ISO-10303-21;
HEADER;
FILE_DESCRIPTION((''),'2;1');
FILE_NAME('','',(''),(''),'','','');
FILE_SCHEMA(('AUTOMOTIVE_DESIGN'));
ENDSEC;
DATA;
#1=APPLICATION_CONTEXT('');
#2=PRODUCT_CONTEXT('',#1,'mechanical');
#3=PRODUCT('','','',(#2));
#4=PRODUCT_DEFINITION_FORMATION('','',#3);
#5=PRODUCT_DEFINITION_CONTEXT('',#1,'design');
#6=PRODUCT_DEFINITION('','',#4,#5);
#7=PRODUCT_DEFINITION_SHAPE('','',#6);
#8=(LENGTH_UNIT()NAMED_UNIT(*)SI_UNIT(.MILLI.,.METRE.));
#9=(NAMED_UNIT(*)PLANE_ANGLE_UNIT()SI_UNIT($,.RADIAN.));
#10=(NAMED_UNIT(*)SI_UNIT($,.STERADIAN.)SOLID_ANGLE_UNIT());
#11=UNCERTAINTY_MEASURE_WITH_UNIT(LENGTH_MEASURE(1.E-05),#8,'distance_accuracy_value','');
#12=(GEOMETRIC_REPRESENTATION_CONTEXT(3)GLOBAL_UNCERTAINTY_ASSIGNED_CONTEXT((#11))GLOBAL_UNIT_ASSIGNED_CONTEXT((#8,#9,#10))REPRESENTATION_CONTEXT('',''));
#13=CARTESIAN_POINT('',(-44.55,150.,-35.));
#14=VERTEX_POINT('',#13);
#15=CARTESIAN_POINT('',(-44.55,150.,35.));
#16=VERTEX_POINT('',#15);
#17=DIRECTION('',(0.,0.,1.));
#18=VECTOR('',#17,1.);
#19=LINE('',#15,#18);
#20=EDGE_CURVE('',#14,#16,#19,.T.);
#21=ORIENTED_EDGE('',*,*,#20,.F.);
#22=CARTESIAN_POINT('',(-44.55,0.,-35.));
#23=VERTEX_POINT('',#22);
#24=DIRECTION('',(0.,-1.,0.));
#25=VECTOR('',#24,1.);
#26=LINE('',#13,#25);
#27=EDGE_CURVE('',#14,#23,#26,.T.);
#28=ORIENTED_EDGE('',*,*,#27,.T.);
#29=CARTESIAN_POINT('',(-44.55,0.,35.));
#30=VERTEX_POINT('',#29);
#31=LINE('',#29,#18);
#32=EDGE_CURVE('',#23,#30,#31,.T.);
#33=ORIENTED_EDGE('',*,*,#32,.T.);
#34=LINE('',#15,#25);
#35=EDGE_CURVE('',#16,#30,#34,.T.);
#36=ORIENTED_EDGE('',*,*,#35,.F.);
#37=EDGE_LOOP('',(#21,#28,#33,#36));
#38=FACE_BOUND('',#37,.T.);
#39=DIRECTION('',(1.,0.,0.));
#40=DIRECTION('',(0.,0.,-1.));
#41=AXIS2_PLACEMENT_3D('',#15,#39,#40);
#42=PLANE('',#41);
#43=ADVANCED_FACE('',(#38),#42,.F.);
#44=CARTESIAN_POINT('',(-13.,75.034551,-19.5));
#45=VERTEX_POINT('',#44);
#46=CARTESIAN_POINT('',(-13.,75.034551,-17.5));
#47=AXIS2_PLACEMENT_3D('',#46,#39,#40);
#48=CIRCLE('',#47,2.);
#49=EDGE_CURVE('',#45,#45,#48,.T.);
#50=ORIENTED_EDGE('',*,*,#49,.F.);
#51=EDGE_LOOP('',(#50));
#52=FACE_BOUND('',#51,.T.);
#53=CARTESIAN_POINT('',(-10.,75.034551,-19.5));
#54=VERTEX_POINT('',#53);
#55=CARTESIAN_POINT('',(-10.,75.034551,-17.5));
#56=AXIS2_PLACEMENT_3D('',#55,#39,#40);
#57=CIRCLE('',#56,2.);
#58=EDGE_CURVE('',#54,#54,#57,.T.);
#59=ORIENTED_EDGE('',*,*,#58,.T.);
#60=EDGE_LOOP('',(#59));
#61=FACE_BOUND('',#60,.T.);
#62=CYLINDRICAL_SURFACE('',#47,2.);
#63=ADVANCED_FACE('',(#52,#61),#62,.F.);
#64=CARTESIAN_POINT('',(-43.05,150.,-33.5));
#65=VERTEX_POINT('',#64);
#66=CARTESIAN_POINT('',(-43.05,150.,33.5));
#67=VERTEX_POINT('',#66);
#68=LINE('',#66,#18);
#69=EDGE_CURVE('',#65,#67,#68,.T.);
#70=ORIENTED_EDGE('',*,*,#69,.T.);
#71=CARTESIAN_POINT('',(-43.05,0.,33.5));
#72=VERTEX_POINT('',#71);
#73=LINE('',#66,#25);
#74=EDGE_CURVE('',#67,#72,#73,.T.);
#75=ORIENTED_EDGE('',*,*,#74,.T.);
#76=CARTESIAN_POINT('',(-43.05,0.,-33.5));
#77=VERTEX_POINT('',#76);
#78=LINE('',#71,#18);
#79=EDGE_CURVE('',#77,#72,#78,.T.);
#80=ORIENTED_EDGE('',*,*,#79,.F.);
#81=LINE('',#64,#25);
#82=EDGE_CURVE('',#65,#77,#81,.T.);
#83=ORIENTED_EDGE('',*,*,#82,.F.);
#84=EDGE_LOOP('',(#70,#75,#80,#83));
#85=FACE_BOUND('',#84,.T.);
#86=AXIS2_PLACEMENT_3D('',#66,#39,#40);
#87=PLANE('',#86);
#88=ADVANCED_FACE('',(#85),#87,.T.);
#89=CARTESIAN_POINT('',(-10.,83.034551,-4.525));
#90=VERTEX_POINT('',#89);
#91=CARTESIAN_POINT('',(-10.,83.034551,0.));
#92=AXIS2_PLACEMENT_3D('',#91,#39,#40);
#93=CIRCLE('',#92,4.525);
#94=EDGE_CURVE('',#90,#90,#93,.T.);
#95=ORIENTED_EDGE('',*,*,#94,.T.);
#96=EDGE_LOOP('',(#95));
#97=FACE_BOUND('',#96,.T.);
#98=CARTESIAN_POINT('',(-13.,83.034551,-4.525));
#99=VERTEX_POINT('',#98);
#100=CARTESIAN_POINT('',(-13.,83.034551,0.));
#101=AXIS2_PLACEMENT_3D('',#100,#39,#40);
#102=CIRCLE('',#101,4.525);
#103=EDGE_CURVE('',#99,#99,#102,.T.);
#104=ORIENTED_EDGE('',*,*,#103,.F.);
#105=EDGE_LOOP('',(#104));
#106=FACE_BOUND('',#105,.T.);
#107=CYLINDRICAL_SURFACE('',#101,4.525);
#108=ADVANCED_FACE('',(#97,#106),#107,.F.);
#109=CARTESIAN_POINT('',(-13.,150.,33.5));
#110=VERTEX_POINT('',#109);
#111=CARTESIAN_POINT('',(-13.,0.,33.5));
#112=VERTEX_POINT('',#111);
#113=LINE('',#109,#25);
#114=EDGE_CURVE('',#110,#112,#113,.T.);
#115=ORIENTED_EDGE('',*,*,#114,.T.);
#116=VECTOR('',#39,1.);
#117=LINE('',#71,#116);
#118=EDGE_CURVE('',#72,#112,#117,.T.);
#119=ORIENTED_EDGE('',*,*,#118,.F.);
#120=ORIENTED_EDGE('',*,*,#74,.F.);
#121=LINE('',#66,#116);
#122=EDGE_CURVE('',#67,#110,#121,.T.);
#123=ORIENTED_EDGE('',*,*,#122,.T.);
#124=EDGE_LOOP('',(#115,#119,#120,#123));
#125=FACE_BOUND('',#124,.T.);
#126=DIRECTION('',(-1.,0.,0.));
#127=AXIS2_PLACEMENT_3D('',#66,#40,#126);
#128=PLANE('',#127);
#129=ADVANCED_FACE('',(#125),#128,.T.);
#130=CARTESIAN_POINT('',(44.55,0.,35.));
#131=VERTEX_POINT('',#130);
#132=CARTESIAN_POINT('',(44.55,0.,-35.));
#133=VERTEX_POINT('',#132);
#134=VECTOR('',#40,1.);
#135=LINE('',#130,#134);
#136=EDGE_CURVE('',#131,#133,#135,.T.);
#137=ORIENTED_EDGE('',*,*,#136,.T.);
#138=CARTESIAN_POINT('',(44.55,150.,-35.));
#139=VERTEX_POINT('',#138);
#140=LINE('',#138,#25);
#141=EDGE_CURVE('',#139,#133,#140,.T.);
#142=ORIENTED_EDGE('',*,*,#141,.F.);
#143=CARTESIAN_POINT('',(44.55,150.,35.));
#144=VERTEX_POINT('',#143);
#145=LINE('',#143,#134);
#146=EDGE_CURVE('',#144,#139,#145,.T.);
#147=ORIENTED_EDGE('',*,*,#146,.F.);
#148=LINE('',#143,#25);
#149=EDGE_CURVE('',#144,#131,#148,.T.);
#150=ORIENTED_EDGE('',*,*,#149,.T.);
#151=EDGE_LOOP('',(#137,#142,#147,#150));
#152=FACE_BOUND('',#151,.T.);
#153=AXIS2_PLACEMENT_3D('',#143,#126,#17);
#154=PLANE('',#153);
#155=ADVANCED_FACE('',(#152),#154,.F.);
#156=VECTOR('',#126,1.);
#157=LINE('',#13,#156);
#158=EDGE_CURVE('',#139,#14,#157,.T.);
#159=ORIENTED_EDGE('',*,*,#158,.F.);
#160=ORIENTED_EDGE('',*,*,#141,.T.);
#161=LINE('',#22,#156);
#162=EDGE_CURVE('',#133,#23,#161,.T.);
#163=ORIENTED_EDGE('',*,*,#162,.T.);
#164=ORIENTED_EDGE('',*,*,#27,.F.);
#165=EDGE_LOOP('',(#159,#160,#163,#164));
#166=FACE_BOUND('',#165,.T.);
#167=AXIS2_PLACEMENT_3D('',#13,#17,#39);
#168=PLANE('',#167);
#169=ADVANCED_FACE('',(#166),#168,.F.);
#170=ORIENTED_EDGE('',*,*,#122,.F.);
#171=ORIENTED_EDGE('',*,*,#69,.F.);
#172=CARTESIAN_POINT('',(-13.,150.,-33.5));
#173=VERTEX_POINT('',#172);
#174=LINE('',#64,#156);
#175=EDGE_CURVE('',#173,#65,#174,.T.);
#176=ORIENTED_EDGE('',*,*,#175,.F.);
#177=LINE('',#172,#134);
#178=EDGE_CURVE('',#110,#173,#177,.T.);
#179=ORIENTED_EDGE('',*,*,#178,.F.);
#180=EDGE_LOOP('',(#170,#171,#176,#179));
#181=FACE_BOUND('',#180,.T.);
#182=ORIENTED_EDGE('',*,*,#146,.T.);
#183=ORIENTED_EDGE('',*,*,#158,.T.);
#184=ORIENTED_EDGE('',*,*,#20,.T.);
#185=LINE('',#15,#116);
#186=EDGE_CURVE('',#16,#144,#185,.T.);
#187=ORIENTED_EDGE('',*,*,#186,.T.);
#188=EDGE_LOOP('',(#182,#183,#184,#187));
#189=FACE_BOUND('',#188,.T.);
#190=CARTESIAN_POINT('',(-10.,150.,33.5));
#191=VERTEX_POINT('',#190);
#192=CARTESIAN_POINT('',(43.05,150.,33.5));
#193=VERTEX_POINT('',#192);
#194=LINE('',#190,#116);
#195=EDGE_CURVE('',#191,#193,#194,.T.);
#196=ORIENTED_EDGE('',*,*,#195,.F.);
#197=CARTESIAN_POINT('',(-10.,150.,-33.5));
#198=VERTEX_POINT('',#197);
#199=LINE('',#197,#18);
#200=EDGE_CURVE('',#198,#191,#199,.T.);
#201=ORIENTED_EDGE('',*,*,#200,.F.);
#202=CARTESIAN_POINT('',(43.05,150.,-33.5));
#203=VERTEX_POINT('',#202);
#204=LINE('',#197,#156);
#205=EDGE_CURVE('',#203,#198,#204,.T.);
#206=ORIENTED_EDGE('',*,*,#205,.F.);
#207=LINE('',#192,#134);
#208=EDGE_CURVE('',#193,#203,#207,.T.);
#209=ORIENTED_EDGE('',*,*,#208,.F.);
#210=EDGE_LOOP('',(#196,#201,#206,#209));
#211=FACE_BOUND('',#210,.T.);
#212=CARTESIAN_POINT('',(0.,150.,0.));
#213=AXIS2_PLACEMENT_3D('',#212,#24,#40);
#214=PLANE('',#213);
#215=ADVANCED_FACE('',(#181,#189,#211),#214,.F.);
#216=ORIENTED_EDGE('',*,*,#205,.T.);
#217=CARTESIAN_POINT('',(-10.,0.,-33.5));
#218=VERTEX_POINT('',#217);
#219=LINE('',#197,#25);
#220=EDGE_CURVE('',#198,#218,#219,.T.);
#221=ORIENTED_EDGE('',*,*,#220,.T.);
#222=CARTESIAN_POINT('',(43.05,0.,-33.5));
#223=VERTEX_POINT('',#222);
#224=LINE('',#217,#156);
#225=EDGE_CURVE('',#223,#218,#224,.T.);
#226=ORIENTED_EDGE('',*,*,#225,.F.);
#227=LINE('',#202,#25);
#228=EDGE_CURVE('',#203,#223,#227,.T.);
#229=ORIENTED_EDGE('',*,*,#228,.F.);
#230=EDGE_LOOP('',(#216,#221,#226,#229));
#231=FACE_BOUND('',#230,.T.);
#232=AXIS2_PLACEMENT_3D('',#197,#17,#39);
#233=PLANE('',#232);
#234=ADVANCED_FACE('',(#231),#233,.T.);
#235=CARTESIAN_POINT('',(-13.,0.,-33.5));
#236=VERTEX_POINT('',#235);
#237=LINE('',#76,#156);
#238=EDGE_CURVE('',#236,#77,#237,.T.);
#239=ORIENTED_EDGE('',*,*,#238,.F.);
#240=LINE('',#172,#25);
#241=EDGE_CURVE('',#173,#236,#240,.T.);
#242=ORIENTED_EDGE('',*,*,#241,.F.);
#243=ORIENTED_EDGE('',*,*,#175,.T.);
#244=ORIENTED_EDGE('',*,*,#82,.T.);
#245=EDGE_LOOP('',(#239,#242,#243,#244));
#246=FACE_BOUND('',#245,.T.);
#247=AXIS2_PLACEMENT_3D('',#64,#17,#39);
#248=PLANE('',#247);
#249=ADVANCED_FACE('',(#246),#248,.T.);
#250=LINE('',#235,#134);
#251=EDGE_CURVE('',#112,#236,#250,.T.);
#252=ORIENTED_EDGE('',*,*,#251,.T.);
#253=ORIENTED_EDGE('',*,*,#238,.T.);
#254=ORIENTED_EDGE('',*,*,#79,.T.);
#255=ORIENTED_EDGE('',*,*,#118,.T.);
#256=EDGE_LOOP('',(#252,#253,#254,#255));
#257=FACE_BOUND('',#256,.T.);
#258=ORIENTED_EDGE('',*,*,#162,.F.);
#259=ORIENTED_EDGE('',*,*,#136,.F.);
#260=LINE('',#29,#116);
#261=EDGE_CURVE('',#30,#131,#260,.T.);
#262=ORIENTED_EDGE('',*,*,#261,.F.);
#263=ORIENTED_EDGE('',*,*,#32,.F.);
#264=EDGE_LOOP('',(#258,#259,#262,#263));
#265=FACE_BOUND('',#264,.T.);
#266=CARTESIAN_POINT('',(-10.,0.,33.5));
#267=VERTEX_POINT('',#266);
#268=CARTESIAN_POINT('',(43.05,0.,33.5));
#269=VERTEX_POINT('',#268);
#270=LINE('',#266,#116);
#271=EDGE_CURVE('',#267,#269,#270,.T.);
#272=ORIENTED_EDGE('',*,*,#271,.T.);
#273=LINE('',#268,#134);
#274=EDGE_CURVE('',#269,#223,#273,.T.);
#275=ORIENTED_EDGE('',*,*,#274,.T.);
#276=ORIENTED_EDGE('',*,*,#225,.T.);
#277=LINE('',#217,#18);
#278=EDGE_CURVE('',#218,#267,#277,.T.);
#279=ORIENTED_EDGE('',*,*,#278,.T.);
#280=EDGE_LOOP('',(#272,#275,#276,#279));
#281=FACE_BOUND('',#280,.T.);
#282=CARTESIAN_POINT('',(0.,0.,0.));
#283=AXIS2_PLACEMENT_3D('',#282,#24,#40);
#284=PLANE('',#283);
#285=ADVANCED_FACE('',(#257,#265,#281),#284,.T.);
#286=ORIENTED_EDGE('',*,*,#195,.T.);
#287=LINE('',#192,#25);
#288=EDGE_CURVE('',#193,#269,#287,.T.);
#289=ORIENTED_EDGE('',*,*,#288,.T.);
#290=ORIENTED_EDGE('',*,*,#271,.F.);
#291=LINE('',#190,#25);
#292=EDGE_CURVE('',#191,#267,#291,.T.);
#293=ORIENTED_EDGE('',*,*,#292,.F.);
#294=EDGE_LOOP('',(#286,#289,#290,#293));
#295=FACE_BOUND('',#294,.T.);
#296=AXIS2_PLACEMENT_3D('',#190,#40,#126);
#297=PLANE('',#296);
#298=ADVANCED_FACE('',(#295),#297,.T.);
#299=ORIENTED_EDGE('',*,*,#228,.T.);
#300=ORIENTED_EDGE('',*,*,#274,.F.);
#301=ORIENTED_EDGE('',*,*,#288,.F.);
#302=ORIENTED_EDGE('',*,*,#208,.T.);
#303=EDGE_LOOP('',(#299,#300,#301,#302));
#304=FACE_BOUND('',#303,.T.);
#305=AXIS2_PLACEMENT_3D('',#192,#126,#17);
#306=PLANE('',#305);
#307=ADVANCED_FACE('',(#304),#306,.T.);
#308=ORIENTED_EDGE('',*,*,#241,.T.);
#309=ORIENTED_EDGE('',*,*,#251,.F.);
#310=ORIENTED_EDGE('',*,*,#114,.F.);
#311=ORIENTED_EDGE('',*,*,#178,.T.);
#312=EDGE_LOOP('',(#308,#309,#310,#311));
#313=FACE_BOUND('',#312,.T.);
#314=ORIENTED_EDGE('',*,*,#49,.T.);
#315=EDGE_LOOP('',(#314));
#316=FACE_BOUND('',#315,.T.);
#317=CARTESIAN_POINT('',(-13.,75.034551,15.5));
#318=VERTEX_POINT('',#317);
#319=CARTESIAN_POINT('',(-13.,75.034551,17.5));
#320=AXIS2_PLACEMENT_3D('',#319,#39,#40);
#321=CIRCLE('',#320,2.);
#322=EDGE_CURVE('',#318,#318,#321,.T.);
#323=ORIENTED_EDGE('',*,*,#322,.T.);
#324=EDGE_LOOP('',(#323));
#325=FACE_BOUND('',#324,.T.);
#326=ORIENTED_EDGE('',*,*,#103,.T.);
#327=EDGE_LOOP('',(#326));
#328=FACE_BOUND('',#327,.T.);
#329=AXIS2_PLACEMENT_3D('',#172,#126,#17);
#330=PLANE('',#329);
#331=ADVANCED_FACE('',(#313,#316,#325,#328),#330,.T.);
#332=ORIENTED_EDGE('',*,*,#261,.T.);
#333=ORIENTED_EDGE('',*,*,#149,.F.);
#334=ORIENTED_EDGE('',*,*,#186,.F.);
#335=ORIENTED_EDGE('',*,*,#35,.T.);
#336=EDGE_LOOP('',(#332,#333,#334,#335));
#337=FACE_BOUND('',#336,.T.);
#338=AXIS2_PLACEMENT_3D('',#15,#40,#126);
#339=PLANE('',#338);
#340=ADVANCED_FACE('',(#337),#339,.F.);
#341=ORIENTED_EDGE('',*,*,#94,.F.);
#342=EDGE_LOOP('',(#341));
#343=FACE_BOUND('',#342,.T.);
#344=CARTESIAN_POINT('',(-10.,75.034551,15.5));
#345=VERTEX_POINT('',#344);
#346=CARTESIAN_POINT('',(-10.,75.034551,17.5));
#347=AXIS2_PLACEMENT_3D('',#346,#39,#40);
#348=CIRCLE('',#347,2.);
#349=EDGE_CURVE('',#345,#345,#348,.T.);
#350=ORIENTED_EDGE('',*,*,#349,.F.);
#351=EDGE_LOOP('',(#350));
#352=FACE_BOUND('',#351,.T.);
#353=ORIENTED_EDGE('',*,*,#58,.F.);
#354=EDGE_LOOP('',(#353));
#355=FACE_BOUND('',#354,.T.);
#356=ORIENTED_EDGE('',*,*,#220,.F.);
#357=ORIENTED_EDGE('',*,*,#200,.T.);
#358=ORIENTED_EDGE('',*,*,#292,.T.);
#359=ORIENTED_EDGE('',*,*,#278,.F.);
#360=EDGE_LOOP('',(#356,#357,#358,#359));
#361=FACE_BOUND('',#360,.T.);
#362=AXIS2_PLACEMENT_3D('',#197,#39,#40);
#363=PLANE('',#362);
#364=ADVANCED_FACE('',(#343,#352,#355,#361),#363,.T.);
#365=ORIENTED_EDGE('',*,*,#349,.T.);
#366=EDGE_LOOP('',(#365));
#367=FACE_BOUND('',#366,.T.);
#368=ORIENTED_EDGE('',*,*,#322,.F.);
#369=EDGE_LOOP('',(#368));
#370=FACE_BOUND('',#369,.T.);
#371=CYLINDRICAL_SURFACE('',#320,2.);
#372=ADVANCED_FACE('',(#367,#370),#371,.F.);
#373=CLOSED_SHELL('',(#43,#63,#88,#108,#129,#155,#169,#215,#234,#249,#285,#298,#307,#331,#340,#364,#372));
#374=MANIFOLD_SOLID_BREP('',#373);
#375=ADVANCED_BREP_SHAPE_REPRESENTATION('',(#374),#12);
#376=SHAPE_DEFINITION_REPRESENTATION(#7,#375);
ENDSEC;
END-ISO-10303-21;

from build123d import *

# Parameters (mm, degrees)
ESBO_O1_W                = 89.1
ESBO_O1_H                = 70
ESBO_O1_W_2              = 53.05
ESBO_O1_H_2              = 67
ESBO_O1_W_3              = 30.05
RESSALTO_EXTRUS_O1_DEPTH = 150
ESBO_O3_R                = 2
ESBO_O3_R_2              = 4.525
CORTE_EXTRUS_O1_DEPTH    = 3


with BuildPart() as part:
    # Esboço1 → Ressalto-extrusão1 (new body)
    with BuildSketch(Plane(origin=(0, 0, 0), x_dir=(1, 0, 0), z_dir=(0, 1, 0))):
        Rectangle(ESBO_O1_W, ESBO_O1_H)
        with Locations((16.525, 0)):
            Rectangle(ESBO_O1_W_2, ESBO_O1_H_2, mode=Mode.SUBTRACT)
        with Locations((-28.025, 0)):
            Rectangle(ESBO_O1_W_3, ESBO_O1_H_2, mode=Mode.SUBTRACT)
    extrude(amount=RESSALTO_EXTRUS_O1_DEPTH)

    # Esboço3 → Corte-extrusão1 (cut)
    with BuildSketch(Plane(origin=(-10, 0, 0), x_dir=(0, 0, -1), z_dir=(1, 0, 0))):
        with Locations((17.5, 75.034551114)):
            Circle(ESBO_O3_R)
        with Locations((-17.5, 75.034551114)):
            Circle(ESBO_O3_R)
        with Locations((0, 83.034551114)):
            Circle(ESBO_O3_R_2)
    extrude(amount=-CORTE_EXTRUS_O1_DEPTH, mode=Mode.SUBTRACT)


solid = part.part
